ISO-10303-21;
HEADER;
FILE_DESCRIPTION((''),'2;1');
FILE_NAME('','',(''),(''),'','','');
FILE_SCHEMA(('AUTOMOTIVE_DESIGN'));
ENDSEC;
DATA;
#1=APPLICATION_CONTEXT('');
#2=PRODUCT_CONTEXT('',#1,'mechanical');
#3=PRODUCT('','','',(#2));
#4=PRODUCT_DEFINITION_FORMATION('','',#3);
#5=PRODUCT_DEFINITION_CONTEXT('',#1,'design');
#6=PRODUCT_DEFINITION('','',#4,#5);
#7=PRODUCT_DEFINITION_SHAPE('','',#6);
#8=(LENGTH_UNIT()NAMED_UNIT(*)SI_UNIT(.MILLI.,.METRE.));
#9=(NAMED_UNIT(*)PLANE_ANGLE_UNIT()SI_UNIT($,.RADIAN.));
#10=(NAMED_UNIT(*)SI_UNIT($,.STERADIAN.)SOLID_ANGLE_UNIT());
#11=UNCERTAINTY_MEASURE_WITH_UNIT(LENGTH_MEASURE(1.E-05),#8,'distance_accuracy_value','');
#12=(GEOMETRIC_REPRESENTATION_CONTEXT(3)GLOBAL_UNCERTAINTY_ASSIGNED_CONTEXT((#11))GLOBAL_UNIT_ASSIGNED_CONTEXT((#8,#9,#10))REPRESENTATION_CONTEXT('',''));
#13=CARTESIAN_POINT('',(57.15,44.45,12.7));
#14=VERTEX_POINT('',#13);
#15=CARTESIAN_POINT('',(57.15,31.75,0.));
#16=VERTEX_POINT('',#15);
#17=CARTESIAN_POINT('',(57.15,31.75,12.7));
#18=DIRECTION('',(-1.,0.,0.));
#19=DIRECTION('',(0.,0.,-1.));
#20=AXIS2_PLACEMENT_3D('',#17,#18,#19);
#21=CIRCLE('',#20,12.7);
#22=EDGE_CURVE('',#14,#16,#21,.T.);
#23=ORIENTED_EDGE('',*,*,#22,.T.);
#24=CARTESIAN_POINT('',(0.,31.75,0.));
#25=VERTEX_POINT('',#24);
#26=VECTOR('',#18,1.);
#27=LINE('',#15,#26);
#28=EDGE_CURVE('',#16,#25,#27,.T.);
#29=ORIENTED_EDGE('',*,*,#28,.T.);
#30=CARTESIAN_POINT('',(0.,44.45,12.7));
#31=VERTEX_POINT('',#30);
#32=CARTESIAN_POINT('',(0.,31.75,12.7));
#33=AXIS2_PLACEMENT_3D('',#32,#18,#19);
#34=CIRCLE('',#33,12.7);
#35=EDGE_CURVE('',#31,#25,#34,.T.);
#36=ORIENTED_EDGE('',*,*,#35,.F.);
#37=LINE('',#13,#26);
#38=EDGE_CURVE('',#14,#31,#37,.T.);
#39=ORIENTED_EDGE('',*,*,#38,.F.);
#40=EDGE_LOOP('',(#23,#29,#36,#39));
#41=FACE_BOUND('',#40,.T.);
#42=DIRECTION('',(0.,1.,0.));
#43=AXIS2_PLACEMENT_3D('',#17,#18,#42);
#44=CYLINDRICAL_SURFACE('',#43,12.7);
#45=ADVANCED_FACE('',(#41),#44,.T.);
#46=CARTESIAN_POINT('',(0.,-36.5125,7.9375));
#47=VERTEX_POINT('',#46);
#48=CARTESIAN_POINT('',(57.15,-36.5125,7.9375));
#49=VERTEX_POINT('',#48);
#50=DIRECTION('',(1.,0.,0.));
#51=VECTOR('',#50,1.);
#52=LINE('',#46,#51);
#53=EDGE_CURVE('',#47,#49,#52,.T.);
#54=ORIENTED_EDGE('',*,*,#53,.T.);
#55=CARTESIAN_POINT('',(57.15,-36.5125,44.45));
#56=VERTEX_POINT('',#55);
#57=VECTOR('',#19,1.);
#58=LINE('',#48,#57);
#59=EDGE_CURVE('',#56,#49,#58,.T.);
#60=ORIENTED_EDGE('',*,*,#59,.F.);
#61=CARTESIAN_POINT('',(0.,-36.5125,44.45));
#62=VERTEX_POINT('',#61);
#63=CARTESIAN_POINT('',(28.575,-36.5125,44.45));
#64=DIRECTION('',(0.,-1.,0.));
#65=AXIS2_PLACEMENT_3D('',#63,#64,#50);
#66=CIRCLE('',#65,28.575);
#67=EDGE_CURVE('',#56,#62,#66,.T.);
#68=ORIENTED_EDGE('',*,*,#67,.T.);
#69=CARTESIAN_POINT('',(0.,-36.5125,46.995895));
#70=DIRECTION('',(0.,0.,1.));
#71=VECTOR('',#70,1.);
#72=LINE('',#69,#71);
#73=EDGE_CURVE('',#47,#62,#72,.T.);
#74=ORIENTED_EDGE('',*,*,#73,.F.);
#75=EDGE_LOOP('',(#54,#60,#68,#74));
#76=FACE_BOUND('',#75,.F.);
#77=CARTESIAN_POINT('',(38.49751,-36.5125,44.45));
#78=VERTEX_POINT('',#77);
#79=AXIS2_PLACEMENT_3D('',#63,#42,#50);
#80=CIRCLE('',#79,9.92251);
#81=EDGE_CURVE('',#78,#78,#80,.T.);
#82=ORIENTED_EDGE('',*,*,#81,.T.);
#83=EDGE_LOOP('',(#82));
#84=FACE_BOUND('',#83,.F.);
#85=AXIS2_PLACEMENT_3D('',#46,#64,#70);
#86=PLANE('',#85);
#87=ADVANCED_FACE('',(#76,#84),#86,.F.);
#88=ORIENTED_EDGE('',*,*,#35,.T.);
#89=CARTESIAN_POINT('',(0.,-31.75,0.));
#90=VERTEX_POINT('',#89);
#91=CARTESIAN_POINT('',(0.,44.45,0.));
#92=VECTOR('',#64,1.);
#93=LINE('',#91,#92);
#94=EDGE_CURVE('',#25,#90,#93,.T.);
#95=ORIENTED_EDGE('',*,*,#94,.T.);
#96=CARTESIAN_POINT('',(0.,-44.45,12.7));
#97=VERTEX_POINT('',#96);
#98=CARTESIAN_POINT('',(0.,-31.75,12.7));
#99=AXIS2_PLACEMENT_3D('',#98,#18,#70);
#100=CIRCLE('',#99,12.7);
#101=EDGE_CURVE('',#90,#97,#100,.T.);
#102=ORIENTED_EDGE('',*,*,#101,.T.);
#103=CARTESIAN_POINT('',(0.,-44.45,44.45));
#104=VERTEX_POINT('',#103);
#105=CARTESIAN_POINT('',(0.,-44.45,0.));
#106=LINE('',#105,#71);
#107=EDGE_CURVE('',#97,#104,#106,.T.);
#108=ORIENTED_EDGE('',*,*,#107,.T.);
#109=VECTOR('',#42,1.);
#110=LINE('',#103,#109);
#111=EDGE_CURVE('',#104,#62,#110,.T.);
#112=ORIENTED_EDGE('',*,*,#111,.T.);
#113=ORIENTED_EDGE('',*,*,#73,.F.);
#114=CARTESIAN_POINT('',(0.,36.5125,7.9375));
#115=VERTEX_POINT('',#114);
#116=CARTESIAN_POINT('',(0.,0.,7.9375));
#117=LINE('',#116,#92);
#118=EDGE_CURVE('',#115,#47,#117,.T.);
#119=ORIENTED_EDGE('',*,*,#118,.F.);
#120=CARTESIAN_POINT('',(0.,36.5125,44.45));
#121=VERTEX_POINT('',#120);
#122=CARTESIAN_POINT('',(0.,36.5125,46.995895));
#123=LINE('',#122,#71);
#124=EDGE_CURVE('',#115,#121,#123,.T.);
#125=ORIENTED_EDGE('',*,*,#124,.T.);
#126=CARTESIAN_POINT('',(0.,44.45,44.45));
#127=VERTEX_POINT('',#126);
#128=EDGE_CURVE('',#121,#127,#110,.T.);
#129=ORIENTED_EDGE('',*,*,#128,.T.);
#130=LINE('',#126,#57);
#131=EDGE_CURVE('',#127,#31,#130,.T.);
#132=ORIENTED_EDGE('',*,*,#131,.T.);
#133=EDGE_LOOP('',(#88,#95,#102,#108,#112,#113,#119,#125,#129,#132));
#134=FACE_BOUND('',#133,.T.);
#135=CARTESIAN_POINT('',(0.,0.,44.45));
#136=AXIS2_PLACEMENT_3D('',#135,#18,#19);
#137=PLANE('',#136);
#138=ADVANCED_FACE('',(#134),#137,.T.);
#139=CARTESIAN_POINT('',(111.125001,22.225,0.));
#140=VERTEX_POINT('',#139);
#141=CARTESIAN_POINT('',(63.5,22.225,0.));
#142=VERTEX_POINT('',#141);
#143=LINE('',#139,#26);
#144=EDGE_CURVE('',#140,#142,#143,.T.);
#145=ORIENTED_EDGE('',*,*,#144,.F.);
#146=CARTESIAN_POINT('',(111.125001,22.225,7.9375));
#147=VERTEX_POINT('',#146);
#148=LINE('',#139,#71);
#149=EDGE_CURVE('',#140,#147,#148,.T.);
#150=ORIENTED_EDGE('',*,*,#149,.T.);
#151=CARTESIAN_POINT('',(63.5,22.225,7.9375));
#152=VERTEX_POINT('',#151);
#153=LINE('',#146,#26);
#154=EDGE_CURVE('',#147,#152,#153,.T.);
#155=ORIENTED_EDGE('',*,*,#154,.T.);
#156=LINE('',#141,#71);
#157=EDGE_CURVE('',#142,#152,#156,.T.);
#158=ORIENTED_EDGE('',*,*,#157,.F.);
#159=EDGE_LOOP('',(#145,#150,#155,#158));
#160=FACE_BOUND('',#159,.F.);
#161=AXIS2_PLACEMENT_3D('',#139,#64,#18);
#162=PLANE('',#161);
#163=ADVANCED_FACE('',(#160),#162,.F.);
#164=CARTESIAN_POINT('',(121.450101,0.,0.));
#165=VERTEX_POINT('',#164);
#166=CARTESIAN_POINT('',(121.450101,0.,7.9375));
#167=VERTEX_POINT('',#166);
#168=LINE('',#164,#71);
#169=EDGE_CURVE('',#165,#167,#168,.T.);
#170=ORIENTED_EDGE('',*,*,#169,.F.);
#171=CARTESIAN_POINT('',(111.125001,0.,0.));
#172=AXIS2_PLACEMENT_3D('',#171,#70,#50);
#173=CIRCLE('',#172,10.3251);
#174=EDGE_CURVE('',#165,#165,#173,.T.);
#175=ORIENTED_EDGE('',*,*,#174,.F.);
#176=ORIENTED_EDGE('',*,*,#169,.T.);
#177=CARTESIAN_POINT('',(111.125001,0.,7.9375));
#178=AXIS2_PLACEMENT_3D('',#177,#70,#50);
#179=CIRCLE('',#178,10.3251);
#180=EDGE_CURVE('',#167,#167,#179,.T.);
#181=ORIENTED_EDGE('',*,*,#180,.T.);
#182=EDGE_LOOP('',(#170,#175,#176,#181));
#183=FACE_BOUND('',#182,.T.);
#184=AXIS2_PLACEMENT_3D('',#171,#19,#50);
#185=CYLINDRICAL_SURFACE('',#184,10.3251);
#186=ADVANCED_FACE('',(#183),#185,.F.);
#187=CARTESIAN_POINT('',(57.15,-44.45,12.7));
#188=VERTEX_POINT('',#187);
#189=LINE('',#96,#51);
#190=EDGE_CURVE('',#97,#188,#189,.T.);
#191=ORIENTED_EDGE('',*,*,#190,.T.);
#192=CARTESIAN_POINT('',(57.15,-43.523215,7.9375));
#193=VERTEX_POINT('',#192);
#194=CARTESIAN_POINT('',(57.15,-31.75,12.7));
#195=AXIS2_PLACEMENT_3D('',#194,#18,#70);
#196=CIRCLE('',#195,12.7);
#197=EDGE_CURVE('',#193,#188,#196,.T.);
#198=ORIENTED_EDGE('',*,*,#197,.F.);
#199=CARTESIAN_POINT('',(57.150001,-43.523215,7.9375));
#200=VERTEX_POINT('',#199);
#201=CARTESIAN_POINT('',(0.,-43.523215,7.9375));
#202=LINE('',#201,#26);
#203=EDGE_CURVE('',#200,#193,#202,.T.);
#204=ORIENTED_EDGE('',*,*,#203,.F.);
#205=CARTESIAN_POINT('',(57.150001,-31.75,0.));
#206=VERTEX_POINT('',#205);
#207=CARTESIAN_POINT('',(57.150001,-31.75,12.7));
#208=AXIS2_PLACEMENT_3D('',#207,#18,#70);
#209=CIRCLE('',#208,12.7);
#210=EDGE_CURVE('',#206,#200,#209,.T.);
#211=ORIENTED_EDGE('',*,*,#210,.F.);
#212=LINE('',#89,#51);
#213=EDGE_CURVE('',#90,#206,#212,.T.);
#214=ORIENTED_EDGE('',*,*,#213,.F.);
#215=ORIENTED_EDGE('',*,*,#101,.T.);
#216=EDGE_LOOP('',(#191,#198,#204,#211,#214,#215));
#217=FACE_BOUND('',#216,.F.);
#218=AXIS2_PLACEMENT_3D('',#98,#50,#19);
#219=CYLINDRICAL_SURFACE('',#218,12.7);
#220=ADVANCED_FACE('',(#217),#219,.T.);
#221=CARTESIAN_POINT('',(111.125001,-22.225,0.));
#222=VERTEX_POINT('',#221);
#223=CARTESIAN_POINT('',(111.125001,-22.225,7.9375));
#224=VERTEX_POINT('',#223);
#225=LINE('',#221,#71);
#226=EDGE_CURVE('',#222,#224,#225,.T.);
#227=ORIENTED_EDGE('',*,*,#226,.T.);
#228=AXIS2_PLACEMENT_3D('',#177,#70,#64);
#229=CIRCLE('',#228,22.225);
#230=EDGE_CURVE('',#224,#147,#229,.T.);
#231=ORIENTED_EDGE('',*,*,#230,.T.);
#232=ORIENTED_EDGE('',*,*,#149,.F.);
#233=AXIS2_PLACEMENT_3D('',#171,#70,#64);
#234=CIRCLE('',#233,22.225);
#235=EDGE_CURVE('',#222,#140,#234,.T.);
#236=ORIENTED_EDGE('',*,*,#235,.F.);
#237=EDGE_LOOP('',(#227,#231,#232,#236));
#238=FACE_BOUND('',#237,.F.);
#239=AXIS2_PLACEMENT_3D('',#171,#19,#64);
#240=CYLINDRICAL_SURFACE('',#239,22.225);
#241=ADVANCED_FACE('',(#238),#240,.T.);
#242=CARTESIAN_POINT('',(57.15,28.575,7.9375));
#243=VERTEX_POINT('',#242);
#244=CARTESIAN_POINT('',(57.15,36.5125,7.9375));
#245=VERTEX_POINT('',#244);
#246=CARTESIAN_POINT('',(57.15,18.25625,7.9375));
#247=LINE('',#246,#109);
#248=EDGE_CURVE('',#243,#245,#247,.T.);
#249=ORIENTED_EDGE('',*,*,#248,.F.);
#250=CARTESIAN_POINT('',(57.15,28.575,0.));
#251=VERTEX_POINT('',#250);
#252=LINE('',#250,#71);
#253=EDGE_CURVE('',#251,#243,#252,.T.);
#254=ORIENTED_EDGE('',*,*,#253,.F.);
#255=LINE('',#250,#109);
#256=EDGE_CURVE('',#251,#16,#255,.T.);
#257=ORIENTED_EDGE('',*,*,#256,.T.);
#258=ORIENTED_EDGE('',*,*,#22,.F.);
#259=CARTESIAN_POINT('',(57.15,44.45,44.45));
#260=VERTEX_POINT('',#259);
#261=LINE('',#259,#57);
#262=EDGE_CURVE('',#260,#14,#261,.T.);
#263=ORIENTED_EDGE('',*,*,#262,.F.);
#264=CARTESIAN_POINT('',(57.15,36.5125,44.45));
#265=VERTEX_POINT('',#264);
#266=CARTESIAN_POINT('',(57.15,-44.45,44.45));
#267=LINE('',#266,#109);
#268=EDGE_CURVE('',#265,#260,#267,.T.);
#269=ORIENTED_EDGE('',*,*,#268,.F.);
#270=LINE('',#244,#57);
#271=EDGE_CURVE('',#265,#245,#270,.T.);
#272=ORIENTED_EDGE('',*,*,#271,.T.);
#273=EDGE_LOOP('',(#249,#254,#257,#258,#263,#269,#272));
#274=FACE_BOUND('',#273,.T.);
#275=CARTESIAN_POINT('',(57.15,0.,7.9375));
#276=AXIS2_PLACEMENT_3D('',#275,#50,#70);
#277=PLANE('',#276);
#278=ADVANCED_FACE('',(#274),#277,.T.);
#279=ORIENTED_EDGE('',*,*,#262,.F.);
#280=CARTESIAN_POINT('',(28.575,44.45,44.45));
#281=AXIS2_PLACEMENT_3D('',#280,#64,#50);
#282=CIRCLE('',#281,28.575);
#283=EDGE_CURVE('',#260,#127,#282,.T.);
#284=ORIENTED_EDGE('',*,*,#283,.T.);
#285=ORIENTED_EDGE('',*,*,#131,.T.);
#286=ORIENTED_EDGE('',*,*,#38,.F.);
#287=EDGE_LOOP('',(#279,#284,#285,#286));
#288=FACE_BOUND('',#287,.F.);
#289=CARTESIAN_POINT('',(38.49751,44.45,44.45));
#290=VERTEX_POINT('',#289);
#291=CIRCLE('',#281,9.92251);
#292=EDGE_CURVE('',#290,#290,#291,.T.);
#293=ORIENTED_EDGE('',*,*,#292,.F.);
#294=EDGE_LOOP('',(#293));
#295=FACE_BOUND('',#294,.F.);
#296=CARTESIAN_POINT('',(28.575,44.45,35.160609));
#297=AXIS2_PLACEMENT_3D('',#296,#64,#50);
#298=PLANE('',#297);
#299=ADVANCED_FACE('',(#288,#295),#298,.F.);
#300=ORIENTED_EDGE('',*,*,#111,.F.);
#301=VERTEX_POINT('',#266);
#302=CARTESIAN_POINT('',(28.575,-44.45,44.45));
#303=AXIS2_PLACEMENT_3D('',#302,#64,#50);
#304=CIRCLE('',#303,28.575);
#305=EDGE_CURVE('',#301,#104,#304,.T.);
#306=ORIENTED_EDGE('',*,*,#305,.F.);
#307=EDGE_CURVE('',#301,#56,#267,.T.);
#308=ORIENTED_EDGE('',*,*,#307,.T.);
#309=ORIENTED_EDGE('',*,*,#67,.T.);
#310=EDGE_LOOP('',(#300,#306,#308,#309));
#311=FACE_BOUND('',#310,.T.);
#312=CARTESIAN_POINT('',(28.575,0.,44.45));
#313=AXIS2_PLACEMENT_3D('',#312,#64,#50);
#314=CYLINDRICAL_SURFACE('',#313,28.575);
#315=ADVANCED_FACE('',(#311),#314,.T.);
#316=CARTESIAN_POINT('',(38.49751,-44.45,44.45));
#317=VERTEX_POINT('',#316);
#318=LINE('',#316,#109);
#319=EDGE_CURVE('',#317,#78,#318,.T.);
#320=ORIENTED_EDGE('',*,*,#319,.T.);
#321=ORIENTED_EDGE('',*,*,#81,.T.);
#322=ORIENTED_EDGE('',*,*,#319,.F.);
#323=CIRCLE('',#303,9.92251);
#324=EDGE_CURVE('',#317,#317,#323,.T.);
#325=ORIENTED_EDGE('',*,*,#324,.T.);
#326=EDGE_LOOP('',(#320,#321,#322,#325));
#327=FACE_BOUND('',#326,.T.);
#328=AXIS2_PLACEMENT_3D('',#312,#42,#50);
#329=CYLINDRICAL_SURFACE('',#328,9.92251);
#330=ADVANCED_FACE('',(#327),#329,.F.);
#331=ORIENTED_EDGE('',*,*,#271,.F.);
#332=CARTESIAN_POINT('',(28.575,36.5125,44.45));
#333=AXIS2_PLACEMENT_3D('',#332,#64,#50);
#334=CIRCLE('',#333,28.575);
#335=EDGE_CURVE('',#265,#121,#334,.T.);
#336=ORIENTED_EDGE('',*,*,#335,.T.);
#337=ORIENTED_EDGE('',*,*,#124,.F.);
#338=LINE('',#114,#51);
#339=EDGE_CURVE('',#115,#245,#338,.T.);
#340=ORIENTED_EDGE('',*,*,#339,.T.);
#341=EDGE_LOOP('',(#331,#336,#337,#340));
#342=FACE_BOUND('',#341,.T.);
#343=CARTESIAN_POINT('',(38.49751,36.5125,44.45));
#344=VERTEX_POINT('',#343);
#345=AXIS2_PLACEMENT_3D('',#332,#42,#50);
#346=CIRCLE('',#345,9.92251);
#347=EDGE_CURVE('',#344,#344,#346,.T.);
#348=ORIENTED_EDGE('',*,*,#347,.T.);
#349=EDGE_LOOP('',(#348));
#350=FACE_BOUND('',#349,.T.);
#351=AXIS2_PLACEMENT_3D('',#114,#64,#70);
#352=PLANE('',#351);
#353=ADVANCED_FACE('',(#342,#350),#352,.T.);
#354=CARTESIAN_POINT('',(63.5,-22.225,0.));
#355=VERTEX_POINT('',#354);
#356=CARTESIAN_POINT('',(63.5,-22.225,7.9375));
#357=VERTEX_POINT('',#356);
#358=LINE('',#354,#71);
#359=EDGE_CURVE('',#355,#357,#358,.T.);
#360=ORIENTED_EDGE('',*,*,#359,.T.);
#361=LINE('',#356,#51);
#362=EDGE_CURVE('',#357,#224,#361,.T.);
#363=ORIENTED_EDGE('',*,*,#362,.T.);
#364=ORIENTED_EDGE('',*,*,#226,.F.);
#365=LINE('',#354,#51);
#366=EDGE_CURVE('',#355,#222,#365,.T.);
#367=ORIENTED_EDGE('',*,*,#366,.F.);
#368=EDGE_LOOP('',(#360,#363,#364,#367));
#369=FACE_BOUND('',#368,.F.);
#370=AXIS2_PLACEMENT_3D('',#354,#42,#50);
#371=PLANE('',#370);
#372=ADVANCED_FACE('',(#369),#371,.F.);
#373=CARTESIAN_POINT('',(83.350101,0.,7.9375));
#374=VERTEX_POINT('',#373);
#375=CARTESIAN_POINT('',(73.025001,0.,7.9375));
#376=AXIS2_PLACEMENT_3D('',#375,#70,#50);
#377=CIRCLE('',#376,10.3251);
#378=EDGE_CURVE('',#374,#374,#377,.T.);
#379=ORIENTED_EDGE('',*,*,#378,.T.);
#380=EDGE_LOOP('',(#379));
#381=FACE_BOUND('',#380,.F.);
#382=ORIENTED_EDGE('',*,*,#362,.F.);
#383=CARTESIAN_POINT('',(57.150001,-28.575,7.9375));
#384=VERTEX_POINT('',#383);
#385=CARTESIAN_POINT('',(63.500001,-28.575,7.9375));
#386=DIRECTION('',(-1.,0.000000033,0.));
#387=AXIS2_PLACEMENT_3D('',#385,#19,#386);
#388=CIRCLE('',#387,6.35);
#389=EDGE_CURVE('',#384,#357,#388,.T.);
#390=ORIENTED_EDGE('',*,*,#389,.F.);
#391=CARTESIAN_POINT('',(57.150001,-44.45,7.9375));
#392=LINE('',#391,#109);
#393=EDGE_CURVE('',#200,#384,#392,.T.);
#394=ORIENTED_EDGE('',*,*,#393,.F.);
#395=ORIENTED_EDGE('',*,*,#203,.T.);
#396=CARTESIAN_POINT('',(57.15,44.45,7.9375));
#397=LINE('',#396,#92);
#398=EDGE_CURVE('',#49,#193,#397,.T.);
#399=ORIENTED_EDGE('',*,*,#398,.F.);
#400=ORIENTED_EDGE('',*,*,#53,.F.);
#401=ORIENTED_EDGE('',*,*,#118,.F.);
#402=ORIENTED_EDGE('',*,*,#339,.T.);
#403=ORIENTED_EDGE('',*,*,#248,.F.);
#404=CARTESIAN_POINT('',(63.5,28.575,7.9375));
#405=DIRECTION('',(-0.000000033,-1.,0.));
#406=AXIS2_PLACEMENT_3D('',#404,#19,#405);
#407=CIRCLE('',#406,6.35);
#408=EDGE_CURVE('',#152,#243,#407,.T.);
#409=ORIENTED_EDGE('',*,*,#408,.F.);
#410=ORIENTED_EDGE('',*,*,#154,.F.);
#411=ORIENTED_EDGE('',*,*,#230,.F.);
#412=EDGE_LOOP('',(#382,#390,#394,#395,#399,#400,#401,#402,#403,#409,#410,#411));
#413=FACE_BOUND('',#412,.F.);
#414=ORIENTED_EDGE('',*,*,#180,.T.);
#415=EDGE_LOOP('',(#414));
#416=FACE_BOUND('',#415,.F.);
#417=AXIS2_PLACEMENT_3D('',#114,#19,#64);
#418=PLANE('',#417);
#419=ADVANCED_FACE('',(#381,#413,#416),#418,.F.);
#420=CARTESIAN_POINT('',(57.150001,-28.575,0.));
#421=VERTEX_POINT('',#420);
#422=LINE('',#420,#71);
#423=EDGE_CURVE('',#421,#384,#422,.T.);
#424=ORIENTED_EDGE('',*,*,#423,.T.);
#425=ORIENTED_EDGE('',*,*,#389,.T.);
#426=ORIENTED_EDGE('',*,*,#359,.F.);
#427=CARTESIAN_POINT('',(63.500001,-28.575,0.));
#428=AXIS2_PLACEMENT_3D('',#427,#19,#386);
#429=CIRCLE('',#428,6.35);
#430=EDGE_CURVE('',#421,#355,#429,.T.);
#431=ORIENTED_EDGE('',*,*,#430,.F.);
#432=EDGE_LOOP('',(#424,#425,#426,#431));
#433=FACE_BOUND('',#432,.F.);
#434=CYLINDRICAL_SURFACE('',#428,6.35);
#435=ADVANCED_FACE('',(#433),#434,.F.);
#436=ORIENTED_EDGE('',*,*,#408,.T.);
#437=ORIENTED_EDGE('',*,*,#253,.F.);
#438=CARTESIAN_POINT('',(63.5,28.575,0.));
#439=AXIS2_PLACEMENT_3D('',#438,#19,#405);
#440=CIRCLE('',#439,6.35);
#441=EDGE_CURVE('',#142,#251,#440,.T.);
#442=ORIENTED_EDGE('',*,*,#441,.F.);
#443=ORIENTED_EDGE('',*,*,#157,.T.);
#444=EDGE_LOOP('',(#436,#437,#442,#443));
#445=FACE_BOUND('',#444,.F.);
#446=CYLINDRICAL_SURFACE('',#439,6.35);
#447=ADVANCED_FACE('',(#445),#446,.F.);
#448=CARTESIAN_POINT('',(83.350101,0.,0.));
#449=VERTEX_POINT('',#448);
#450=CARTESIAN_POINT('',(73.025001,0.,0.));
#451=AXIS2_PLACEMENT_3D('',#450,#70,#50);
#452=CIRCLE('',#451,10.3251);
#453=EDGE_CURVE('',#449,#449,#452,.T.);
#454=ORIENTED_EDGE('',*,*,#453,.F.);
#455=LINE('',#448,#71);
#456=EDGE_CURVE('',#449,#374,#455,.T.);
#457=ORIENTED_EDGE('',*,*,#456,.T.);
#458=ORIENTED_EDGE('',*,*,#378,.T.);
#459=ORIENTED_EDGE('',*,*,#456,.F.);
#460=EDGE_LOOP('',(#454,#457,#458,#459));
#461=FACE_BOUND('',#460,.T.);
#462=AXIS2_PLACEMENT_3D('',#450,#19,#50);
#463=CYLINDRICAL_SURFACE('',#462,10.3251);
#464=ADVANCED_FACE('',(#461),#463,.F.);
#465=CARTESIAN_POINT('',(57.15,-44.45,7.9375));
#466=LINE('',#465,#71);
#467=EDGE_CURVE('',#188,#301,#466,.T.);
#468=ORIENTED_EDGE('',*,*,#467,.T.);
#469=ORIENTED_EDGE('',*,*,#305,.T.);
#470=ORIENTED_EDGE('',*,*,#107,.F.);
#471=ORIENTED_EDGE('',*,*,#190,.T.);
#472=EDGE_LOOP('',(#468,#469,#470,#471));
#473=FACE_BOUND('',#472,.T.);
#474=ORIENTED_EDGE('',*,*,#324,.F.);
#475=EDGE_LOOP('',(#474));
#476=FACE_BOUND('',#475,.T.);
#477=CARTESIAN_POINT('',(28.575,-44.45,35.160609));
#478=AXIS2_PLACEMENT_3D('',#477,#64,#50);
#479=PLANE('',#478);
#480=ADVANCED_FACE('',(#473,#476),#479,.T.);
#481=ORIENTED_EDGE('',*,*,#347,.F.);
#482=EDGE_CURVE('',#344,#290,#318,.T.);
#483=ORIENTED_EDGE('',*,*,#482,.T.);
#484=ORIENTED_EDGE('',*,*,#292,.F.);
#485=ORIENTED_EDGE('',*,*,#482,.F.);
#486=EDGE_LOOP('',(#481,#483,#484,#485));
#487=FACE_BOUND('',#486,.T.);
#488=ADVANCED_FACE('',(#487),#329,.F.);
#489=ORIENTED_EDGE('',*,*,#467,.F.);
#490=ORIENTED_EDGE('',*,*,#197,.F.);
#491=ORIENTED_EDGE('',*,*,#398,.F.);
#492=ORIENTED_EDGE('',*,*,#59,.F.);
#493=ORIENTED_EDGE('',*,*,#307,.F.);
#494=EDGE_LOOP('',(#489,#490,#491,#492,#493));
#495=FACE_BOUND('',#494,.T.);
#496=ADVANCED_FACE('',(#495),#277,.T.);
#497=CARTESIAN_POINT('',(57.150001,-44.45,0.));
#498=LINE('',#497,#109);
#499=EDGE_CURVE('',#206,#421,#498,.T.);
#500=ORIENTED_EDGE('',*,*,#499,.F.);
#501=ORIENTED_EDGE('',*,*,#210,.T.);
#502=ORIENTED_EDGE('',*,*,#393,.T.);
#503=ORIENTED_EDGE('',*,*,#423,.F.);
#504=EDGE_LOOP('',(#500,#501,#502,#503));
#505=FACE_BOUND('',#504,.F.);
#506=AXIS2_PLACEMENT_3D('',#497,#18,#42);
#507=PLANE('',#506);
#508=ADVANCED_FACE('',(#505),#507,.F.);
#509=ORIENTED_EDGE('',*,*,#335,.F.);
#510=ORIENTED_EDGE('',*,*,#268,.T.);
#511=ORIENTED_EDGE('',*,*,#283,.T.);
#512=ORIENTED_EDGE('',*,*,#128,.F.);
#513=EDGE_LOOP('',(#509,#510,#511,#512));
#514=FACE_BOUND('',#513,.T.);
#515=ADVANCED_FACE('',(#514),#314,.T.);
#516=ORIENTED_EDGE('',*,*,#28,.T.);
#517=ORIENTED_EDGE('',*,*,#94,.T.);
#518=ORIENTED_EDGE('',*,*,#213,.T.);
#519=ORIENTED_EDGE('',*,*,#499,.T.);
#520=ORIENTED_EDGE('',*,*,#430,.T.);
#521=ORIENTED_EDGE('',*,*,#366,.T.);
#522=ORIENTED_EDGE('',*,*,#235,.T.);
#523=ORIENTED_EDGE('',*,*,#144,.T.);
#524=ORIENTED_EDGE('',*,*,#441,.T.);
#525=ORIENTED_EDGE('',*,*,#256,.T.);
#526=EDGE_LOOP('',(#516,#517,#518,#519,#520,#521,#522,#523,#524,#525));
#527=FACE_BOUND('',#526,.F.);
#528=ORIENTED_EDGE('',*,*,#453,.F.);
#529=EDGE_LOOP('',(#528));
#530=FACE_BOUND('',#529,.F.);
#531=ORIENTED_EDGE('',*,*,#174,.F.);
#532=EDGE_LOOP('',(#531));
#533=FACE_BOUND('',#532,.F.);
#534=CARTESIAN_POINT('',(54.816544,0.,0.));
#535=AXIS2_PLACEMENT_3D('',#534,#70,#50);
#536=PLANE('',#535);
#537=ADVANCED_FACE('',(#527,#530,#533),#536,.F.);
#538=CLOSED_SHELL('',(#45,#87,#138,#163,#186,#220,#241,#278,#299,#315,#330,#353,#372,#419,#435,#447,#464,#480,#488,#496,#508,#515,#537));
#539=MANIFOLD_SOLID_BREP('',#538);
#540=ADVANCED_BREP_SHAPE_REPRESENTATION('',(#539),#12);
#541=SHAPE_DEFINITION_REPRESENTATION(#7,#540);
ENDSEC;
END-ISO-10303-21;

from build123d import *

# Parameters (mm, degrees)
F0_R     = 10.3251
F1_DEPTH = 7.9375
F2_R     = 9.92251
F3_DEPTH = 44.45
F4_W     = 73.025
F4_H     = 78.11679
F5_DEPTH = 133.351001
F6_R     = 12.7


with BuildPart() as f1:
    # F0 (on Top) → F1 (new body)
    with BuildSketch(Plane.XY):
        with BuildLine():
            Line((57.15, 44.45), (0, 44.45))
            Line((0, 44.45), (0, -44.45))
            Line((0, -44.45), (57.150001, -44.45))
            Line((57.150001, -44.45), (57.150001, -28.575))
            ThreePointArc((57.150001, -28.575), (59.009873, -24.084872), (63.5, -22.225))
            Line((63.5, -22.225), (111.125001, -22.225))
            ThreePointArc((111.125001, -22.225), (133.350001, 0), (111.125001, 22.225))
            Line((111.125001, 22.225), (63.5, 22.225))
            ThreePointArc((63.5, 22.225), (59.009872, 24.084872), (57.15, 28.575))
            Line((57.15, 28.575), (57.15, 44.45))
        make_face()
        with Locations((73.025001, 0)):
            Circle(F0_R, mode=Mode.SUBTRACT)
        with Locations((111.125001, 0)):
            Circle(F0_R, mode=Mode.SUBTRACT)
    extrude(amount=F1_DEPTH)

    # F2 (on Front) → F3 (join, symmetric)
    with BuildSketch(Plane.XZ):
        with BuildLine():
            Line((0, 44.45), (0, 7.9375))
            Line((0, 7.9375), (57.15, 7.9375))
            Line((57.15, 7.9375), (57.15, 44.45))
            ThreePointArc((57.15, 44.45), (28.575, 73.025), (0, 44.45))
        make_face()
        with Locations((28.575, 44.45)):
            Circle(F2_R, mode=Mode.SUBTRACT)
    extrude(amount=F3_DEPTH, both=True)

    # F4 (on face) → F5 (cut, through all)
    with BuildSketch(Plane(origin=(0, 0, 0), x_dir=(0, -1, 0), z_dir=(-1, 0, 0))):
        with Locations((0, 46.995895)):
            Rectangle(F4_W, F4_H)
    extrude(amount=-F5_DEPTH, mode=Mode.SUBTRACT)

    # F6
    f6_edges = [f1.edges().sort_by_distance(p)[0] for p in [
        (28.575001, -44.45, 0),
        (28.575, 44.45, 0),
    ]]
    fillet(f6_edges, radius=F6_R)


solid = f1.part
